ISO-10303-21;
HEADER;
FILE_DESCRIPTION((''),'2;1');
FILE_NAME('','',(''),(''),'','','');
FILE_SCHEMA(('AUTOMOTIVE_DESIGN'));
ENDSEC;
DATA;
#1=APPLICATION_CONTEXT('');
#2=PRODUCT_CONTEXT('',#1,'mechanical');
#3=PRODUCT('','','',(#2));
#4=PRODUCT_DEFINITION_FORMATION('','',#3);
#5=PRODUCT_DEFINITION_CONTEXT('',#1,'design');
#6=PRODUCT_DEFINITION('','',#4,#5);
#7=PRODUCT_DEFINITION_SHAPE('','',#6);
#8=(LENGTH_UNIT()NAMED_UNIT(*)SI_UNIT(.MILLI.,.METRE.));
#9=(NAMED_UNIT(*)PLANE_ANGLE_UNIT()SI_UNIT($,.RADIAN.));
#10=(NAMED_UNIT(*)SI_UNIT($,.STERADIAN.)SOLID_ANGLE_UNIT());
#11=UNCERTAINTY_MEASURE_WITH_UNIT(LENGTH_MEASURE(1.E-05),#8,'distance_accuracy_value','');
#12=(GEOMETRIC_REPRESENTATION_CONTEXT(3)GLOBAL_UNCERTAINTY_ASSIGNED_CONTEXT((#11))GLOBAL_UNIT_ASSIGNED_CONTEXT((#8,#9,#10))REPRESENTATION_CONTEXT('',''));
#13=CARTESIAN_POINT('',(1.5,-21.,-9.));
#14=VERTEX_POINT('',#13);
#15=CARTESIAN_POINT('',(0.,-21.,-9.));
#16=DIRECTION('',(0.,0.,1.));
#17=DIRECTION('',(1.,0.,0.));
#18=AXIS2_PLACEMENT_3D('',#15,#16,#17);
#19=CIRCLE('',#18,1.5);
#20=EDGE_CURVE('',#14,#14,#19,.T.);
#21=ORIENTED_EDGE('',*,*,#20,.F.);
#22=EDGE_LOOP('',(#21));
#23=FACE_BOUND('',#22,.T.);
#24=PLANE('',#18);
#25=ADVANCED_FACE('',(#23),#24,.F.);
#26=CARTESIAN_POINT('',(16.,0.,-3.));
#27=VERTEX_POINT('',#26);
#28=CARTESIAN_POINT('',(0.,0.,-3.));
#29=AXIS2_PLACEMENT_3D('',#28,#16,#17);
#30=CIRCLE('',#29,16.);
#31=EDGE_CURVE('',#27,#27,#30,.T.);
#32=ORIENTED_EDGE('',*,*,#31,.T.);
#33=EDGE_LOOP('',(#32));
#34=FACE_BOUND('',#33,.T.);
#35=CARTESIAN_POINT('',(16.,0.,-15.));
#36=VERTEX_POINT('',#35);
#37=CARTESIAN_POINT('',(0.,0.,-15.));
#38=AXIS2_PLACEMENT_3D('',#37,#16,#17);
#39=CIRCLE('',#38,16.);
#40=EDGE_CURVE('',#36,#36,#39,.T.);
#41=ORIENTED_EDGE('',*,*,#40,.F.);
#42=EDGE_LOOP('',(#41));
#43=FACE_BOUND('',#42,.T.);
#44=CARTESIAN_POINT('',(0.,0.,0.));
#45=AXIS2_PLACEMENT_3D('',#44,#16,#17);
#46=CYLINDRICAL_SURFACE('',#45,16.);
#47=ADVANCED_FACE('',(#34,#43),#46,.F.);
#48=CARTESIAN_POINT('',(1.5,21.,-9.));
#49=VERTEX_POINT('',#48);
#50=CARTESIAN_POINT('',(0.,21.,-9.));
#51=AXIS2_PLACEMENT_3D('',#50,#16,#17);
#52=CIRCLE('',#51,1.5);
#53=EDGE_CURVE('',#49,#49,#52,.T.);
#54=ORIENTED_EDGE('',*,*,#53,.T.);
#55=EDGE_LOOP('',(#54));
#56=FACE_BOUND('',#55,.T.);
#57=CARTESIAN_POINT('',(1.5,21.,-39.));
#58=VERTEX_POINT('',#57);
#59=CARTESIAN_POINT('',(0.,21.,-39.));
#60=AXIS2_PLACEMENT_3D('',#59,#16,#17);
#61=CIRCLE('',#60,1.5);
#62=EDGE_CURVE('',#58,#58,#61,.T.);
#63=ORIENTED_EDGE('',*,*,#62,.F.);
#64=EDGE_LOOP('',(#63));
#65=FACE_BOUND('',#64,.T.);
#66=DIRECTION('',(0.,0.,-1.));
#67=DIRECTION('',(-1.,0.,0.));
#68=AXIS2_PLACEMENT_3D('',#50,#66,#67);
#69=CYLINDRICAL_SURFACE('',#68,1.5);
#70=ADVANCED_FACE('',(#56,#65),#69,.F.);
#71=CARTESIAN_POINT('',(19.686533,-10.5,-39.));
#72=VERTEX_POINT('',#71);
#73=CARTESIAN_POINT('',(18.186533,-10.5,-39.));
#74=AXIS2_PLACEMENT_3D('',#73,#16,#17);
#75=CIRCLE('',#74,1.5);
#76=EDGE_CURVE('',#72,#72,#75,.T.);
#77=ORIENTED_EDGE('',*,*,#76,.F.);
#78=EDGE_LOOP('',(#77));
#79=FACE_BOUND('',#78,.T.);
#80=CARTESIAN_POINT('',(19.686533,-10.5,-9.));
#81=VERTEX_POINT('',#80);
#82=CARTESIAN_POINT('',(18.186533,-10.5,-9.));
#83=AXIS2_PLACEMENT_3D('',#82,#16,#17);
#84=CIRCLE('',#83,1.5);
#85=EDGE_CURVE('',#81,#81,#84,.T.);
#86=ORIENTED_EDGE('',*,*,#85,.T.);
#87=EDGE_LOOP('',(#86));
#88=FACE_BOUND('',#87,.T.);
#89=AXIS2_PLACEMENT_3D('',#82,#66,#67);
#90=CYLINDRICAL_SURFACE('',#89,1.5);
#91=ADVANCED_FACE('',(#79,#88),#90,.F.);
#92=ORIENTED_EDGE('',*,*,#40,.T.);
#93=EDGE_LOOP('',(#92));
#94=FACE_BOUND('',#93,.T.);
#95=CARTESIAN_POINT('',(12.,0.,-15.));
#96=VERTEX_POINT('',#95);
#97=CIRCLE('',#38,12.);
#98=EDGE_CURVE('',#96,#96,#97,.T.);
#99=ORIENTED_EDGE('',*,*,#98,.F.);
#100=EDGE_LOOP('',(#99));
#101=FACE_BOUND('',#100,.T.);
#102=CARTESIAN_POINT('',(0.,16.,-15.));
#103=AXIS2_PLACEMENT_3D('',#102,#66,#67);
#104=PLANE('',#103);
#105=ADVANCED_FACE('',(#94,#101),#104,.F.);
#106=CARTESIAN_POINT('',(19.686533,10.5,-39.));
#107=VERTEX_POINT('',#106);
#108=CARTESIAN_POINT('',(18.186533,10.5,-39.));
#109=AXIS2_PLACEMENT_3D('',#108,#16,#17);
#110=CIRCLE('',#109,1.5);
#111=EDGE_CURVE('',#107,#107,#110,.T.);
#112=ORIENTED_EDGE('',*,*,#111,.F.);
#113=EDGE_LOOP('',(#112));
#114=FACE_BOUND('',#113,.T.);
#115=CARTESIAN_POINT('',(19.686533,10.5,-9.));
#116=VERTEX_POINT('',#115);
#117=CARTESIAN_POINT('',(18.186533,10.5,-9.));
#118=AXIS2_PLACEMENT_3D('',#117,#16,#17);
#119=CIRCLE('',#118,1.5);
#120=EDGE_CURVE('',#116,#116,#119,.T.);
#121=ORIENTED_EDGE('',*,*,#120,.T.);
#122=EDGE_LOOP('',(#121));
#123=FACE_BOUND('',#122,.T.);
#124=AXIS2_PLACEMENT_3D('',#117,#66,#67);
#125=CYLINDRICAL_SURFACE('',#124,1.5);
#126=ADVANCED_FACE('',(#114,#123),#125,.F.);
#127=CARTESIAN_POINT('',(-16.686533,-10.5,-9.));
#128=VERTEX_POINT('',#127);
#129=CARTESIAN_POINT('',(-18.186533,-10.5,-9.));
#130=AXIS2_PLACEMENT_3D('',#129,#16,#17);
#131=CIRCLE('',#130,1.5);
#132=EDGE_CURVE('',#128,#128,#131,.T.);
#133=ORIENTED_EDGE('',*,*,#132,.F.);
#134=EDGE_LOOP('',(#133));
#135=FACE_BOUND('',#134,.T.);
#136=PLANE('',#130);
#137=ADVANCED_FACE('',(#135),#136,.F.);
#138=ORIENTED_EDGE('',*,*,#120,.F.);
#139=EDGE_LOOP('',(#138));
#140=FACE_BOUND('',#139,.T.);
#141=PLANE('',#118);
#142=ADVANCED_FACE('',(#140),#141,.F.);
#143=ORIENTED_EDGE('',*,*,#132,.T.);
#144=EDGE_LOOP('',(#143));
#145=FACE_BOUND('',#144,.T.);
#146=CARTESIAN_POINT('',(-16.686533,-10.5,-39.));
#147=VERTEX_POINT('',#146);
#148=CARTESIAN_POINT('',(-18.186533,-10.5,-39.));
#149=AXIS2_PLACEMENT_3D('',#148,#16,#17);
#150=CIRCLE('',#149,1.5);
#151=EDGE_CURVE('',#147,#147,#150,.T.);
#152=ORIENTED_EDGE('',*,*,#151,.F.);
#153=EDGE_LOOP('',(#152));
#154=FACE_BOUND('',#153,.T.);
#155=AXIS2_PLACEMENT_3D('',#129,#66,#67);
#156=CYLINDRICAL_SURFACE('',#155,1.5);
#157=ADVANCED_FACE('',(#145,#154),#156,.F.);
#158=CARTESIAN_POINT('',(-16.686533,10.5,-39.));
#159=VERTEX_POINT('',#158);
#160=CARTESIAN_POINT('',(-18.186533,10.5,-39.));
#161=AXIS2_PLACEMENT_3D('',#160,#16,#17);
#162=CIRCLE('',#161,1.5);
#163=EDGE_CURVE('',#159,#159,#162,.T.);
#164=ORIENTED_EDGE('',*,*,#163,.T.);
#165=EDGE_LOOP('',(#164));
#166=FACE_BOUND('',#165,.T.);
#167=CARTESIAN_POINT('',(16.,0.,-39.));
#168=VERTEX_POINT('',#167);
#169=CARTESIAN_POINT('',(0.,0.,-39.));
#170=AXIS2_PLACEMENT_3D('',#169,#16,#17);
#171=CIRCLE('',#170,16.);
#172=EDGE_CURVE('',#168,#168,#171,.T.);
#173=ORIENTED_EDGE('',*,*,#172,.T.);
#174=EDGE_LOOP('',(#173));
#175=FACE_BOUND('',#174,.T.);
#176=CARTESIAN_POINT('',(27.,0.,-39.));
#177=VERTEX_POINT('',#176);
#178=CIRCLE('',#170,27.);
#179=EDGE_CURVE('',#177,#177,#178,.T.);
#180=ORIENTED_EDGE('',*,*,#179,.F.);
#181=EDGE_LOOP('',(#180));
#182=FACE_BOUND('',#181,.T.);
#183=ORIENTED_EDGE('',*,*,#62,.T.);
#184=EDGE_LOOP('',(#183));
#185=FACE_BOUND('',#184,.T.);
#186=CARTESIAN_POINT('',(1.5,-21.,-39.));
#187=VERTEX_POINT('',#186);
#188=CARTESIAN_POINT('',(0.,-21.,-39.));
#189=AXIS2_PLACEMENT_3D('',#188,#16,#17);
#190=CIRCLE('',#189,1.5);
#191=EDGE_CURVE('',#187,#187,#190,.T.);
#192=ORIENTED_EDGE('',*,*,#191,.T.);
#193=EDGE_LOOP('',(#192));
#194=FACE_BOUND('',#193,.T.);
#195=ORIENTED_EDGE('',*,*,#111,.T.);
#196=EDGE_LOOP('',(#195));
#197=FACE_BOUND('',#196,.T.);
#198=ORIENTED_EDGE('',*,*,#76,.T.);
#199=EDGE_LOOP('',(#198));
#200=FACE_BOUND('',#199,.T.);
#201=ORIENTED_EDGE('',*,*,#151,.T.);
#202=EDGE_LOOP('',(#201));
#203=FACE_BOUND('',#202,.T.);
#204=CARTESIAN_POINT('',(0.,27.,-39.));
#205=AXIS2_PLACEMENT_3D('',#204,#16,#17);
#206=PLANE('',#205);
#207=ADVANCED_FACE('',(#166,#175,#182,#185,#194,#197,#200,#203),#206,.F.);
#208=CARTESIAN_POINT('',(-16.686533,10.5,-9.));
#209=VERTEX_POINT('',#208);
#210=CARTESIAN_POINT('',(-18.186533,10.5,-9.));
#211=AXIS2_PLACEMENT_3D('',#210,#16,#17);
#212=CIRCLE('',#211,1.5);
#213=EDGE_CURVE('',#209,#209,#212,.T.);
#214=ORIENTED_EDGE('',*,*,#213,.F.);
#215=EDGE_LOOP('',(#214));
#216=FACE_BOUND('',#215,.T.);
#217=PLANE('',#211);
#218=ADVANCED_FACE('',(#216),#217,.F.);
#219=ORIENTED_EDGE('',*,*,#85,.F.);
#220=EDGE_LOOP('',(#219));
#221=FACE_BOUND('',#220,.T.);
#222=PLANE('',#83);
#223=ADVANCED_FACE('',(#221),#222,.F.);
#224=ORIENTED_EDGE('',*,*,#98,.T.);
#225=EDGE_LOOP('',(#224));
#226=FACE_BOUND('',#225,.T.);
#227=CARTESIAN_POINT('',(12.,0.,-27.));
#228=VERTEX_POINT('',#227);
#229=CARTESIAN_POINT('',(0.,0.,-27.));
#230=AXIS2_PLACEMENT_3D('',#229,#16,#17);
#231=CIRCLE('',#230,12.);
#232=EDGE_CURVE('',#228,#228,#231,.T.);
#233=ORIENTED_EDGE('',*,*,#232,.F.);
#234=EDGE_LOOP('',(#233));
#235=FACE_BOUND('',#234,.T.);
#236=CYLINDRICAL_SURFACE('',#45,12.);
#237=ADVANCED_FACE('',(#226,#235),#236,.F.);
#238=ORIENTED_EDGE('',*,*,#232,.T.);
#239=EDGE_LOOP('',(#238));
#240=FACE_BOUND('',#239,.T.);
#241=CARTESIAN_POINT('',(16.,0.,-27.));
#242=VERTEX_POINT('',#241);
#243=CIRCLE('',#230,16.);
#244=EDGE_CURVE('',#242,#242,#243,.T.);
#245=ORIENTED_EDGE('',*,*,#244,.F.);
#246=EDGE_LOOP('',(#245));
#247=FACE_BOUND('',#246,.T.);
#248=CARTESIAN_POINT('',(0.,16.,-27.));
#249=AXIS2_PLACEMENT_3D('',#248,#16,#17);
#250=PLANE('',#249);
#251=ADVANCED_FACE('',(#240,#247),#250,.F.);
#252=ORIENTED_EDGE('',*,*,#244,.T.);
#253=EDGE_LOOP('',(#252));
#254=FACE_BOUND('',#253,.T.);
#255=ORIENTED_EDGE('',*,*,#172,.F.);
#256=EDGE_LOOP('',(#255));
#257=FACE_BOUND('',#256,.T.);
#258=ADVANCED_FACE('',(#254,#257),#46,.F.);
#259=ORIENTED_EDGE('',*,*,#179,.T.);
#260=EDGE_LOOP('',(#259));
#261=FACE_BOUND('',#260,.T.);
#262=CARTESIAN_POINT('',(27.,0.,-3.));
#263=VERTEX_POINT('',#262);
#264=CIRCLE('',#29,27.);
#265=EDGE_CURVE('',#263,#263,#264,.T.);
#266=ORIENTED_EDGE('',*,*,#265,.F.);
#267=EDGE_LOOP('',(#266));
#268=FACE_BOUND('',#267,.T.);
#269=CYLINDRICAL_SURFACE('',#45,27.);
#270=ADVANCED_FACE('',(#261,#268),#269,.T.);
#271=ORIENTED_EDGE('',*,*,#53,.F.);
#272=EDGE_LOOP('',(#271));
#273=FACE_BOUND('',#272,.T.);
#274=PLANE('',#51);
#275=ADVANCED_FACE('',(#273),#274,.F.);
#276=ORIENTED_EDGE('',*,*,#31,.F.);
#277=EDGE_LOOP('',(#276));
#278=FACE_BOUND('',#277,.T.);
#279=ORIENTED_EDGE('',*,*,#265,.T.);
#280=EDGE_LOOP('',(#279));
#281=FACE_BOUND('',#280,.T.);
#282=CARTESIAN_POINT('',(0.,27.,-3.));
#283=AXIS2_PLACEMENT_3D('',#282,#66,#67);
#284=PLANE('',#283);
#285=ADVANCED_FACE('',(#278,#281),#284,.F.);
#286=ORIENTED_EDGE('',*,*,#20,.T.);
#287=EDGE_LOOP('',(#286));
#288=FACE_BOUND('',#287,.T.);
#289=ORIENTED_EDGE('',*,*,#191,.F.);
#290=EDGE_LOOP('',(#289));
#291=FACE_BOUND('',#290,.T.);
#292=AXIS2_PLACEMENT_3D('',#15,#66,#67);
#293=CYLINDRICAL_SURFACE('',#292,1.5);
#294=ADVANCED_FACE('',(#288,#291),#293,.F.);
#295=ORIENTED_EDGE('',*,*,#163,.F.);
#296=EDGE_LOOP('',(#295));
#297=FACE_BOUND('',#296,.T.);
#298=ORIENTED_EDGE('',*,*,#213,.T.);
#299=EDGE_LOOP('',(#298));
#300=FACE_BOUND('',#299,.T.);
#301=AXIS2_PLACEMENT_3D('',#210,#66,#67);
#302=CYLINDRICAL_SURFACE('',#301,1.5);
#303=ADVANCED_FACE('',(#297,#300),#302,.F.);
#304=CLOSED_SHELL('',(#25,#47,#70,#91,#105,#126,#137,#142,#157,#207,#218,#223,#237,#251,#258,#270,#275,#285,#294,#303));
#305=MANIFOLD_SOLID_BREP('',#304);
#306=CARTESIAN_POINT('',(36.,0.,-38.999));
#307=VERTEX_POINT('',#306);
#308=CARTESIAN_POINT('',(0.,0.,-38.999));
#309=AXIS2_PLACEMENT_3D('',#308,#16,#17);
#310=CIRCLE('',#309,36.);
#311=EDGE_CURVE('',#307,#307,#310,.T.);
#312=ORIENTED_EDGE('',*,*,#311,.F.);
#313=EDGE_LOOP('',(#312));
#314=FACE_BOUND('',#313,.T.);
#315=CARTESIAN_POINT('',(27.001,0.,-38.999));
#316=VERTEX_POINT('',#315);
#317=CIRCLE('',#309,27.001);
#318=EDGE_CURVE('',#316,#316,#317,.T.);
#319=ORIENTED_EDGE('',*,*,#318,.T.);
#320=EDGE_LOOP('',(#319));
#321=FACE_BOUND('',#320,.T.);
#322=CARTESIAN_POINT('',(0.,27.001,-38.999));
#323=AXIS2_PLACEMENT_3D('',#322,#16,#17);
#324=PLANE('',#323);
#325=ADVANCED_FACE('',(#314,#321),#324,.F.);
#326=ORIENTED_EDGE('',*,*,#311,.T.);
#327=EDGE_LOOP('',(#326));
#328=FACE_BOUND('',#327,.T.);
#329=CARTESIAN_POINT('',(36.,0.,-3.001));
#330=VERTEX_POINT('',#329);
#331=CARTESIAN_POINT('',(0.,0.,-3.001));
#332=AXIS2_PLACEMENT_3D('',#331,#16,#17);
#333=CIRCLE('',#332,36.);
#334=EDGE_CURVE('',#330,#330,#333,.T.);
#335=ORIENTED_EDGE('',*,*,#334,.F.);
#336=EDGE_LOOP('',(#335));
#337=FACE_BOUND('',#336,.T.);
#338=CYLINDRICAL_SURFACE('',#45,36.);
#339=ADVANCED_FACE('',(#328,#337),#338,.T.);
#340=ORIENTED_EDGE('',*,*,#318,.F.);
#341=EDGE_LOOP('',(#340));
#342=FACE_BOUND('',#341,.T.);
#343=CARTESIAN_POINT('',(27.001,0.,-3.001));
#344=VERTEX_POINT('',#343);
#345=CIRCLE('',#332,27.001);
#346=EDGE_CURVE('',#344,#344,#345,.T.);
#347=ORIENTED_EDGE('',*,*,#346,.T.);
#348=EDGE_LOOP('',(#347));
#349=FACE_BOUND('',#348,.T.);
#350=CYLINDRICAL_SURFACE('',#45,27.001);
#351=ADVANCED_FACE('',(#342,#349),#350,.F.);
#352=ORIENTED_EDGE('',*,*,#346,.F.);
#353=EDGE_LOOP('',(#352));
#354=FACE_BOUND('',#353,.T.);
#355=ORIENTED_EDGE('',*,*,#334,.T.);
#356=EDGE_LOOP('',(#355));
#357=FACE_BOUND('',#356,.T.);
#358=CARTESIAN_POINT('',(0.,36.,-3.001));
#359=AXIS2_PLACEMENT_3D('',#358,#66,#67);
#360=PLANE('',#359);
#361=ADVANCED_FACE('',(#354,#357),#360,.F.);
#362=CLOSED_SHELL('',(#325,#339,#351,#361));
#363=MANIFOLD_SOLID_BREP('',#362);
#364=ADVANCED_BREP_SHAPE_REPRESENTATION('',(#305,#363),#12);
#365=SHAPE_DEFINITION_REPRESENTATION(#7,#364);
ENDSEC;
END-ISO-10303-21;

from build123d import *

# Parameters (mm, degrees)
SKETCH3_W          = 35.998
SKETCH3_H          = 8.999
SKETCH2_R          = 1.5
CUT_EXTRUDE1_DEPTH = 30


with BuildPart() as part:
    # Sketch1 → Revolve1 (revolve)
    with BuildSketch(Plane(origin=(0, 0, 0), x_dir=(0, 0, -1), z_dir=(1, 0, 0)), mode=Mode.PRIVATE) as revolve1_sk:
        Polygon((3, 27), (39, 27), (39, 16), (27, 16), (27, 12), (15, 12), (15, 16), (3, 16), align=None)
    revolve(revolve1_sk.sketch.rotate(Axis((0, 0, 0), (0, 0, -1)), 90), axis=Axis((0, 0, 0), (0, 0, -1)))

    # Sketch2 → Cut-Extrude1 (cut)
    with BuildSketch(Plane.XY.offset(-39)):
        with Locations((0, 21)):
            Circle(SKETCH2_R)
        with Locations((18.186533479, 10.5)):
            Circle(SKETCH2_R)
        with Locations((18.186533479, -10.5)):
            Circle(SKETCH2_R)
        with Locations((0, -21)):
            Circle(SKETCH2_R)
        with Locations((-18.186533479, -10.5)):
            Circle(SKETCH2_R)
        with Locations((-18.186533479, 10.5)):
            Circle(SKETCH2_R)
    extrude(amount=CUT_EXTRUDE1_DEPTH, mode=Mode.SUBTRACT)


with BuildPart() as body_2:
    # Sketch3 → Revolve2 (revolve)
    with BuildSketch(Plane(origin=(0, 0, 0), x_dir=(0, 0, -1), z_dir=(1, 0, 0)), mode=Mode.PRIVATE) as revolve2_sk:
        with Locations((21, 31.5005)):
            Rectangle(SKETCH3_W, SKETCH3_H)
    revolve(revolve2_sk.sketch.rotate(Axis((0, 0, 0), (0, 0, -1)), 90), axis=Axis((0, 0, 0), (0, 0, -1)))


solid = Compound([part.part, body_2.part])
